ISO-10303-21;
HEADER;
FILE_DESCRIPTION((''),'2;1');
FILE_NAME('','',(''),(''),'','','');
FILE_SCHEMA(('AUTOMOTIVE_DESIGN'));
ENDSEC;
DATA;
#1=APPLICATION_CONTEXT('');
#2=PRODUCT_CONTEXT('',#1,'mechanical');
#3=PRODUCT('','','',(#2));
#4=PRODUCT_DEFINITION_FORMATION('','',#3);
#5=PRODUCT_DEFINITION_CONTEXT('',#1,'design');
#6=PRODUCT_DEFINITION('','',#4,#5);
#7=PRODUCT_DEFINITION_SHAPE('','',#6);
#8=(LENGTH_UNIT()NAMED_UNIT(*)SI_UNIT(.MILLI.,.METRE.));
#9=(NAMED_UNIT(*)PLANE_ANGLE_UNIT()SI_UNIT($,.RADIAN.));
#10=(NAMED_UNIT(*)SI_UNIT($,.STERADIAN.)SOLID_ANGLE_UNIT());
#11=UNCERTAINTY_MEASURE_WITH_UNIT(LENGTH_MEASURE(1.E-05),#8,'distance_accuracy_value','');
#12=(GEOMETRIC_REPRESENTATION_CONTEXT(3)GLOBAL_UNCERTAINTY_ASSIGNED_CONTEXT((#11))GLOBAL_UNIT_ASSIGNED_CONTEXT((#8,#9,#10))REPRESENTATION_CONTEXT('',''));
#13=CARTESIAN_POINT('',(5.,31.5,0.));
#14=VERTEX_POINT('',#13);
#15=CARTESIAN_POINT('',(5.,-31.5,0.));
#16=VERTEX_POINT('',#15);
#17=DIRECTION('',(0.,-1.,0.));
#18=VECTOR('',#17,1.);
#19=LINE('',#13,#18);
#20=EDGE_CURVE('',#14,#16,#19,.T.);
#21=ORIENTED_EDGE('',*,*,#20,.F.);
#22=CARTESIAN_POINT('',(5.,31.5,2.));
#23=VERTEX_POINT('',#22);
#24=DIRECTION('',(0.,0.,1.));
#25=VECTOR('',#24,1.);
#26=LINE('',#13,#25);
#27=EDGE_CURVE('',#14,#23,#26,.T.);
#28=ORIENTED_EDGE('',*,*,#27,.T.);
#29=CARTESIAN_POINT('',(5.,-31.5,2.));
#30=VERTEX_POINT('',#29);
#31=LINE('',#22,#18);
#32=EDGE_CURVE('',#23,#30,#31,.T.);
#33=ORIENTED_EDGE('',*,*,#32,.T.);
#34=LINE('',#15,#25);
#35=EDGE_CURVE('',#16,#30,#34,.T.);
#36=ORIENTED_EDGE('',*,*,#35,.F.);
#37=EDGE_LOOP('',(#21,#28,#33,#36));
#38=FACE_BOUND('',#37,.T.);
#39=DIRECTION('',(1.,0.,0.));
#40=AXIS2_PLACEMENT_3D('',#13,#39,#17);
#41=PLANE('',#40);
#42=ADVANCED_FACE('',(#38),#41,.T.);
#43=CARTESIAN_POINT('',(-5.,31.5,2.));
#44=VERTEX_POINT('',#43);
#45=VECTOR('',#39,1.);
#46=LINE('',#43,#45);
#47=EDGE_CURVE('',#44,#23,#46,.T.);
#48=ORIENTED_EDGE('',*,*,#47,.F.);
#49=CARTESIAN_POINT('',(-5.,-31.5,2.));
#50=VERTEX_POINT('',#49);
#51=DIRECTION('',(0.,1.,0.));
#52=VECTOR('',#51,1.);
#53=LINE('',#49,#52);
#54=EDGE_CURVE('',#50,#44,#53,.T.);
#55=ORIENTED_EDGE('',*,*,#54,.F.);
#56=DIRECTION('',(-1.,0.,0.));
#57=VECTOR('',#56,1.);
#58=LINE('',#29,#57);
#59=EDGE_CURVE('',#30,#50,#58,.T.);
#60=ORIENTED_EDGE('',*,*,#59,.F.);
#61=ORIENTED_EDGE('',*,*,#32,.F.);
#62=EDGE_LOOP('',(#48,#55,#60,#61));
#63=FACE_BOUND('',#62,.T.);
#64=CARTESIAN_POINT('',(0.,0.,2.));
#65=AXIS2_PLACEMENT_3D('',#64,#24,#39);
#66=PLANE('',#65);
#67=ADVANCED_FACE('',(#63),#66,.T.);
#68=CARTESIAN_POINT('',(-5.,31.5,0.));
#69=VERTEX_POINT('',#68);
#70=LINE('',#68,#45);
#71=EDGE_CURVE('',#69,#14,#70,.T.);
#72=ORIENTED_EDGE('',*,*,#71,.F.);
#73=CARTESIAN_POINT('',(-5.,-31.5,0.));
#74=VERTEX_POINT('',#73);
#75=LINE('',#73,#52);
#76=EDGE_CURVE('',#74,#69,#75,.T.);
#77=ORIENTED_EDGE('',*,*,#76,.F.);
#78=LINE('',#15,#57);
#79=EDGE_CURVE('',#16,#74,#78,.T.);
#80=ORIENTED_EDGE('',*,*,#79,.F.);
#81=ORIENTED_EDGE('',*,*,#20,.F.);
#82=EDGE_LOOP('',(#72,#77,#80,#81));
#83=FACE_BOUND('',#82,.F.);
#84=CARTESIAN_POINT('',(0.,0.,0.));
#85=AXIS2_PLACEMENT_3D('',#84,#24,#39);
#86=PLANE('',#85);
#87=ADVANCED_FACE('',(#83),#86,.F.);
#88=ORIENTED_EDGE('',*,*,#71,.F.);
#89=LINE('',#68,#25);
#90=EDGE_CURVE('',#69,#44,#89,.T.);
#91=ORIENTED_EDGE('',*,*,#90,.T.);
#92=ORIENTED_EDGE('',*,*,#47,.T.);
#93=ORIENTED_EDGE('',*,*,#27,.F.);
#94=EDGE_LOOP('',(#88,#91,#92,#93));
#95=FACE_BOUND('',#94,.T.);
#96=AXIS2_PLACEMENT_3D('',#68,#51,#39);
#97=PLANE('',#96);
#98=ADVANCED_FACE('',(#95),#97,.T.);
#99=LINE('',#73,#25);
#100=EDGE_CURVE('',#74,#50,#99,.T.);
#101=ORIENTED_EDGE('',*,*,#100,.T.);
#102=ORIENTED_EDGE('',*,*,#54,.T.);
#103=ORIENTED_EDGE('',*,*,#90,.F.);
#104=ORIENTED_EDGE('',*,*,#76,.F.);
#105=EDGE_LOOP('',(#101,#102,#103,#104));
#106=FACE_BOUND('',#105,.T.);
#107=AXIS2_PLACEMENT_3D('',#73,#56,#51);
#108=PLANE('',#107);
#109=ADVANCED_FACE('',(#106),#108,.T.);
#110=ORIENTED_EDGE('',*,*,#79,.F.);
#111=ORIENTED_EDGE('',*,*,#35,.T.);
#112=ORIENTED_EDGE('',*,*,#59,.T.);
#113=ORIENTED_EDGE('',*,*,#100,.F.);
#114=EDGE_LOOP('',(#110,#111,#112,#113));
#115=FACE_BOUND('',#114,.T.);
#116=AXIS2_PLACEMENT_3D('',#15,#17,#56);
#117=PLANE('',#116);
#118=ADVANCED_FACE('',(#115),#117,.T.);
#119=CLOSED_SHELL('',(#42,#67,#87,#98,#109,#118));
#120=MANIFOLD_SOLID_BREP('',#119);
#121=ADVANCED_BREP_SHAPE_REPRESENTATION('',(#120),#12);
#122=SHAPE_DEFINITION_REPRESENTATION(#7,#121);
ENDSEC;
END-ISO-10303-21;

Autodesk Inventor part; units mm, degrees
ref_plane "YZ Plane" through (0, 0, 0) normal (1, 0, 0) x (0, 1, 0)
ref_plane "XZ Plane" through (0, 0, 0) normal (0, 1, 0) x (-1, 0, 0)
ref_plane "XY Plane" through (0, 0, 0) normal (0, 0, 1) x (1, 0, 0)
sketch "스케치1" plane through (0, 0, 0) normal (0, 0, 1) x (1, 0, 0)
  line L0 (5, -31.5) -> (-5, -31.5)
  line L1 (-5, -31.5) -> (-5, 31.5)
  line L2 (-5, 31.5) -> (5, 31.5)
  line L3 (5, 31.5) -> (5, -31.5)
  line L4 (5, -31.5) -> (-5, 31.5) construction
  line L5 (-5, -31.5) -> (5, 31.5) construction
  point P0 (0, 0)
  dimension "d0" = 63
  dimension "d1" = 10
extrude "돌출1" add sketch "스케치1" along normal blind 2
properties part number "240626_chair5"
